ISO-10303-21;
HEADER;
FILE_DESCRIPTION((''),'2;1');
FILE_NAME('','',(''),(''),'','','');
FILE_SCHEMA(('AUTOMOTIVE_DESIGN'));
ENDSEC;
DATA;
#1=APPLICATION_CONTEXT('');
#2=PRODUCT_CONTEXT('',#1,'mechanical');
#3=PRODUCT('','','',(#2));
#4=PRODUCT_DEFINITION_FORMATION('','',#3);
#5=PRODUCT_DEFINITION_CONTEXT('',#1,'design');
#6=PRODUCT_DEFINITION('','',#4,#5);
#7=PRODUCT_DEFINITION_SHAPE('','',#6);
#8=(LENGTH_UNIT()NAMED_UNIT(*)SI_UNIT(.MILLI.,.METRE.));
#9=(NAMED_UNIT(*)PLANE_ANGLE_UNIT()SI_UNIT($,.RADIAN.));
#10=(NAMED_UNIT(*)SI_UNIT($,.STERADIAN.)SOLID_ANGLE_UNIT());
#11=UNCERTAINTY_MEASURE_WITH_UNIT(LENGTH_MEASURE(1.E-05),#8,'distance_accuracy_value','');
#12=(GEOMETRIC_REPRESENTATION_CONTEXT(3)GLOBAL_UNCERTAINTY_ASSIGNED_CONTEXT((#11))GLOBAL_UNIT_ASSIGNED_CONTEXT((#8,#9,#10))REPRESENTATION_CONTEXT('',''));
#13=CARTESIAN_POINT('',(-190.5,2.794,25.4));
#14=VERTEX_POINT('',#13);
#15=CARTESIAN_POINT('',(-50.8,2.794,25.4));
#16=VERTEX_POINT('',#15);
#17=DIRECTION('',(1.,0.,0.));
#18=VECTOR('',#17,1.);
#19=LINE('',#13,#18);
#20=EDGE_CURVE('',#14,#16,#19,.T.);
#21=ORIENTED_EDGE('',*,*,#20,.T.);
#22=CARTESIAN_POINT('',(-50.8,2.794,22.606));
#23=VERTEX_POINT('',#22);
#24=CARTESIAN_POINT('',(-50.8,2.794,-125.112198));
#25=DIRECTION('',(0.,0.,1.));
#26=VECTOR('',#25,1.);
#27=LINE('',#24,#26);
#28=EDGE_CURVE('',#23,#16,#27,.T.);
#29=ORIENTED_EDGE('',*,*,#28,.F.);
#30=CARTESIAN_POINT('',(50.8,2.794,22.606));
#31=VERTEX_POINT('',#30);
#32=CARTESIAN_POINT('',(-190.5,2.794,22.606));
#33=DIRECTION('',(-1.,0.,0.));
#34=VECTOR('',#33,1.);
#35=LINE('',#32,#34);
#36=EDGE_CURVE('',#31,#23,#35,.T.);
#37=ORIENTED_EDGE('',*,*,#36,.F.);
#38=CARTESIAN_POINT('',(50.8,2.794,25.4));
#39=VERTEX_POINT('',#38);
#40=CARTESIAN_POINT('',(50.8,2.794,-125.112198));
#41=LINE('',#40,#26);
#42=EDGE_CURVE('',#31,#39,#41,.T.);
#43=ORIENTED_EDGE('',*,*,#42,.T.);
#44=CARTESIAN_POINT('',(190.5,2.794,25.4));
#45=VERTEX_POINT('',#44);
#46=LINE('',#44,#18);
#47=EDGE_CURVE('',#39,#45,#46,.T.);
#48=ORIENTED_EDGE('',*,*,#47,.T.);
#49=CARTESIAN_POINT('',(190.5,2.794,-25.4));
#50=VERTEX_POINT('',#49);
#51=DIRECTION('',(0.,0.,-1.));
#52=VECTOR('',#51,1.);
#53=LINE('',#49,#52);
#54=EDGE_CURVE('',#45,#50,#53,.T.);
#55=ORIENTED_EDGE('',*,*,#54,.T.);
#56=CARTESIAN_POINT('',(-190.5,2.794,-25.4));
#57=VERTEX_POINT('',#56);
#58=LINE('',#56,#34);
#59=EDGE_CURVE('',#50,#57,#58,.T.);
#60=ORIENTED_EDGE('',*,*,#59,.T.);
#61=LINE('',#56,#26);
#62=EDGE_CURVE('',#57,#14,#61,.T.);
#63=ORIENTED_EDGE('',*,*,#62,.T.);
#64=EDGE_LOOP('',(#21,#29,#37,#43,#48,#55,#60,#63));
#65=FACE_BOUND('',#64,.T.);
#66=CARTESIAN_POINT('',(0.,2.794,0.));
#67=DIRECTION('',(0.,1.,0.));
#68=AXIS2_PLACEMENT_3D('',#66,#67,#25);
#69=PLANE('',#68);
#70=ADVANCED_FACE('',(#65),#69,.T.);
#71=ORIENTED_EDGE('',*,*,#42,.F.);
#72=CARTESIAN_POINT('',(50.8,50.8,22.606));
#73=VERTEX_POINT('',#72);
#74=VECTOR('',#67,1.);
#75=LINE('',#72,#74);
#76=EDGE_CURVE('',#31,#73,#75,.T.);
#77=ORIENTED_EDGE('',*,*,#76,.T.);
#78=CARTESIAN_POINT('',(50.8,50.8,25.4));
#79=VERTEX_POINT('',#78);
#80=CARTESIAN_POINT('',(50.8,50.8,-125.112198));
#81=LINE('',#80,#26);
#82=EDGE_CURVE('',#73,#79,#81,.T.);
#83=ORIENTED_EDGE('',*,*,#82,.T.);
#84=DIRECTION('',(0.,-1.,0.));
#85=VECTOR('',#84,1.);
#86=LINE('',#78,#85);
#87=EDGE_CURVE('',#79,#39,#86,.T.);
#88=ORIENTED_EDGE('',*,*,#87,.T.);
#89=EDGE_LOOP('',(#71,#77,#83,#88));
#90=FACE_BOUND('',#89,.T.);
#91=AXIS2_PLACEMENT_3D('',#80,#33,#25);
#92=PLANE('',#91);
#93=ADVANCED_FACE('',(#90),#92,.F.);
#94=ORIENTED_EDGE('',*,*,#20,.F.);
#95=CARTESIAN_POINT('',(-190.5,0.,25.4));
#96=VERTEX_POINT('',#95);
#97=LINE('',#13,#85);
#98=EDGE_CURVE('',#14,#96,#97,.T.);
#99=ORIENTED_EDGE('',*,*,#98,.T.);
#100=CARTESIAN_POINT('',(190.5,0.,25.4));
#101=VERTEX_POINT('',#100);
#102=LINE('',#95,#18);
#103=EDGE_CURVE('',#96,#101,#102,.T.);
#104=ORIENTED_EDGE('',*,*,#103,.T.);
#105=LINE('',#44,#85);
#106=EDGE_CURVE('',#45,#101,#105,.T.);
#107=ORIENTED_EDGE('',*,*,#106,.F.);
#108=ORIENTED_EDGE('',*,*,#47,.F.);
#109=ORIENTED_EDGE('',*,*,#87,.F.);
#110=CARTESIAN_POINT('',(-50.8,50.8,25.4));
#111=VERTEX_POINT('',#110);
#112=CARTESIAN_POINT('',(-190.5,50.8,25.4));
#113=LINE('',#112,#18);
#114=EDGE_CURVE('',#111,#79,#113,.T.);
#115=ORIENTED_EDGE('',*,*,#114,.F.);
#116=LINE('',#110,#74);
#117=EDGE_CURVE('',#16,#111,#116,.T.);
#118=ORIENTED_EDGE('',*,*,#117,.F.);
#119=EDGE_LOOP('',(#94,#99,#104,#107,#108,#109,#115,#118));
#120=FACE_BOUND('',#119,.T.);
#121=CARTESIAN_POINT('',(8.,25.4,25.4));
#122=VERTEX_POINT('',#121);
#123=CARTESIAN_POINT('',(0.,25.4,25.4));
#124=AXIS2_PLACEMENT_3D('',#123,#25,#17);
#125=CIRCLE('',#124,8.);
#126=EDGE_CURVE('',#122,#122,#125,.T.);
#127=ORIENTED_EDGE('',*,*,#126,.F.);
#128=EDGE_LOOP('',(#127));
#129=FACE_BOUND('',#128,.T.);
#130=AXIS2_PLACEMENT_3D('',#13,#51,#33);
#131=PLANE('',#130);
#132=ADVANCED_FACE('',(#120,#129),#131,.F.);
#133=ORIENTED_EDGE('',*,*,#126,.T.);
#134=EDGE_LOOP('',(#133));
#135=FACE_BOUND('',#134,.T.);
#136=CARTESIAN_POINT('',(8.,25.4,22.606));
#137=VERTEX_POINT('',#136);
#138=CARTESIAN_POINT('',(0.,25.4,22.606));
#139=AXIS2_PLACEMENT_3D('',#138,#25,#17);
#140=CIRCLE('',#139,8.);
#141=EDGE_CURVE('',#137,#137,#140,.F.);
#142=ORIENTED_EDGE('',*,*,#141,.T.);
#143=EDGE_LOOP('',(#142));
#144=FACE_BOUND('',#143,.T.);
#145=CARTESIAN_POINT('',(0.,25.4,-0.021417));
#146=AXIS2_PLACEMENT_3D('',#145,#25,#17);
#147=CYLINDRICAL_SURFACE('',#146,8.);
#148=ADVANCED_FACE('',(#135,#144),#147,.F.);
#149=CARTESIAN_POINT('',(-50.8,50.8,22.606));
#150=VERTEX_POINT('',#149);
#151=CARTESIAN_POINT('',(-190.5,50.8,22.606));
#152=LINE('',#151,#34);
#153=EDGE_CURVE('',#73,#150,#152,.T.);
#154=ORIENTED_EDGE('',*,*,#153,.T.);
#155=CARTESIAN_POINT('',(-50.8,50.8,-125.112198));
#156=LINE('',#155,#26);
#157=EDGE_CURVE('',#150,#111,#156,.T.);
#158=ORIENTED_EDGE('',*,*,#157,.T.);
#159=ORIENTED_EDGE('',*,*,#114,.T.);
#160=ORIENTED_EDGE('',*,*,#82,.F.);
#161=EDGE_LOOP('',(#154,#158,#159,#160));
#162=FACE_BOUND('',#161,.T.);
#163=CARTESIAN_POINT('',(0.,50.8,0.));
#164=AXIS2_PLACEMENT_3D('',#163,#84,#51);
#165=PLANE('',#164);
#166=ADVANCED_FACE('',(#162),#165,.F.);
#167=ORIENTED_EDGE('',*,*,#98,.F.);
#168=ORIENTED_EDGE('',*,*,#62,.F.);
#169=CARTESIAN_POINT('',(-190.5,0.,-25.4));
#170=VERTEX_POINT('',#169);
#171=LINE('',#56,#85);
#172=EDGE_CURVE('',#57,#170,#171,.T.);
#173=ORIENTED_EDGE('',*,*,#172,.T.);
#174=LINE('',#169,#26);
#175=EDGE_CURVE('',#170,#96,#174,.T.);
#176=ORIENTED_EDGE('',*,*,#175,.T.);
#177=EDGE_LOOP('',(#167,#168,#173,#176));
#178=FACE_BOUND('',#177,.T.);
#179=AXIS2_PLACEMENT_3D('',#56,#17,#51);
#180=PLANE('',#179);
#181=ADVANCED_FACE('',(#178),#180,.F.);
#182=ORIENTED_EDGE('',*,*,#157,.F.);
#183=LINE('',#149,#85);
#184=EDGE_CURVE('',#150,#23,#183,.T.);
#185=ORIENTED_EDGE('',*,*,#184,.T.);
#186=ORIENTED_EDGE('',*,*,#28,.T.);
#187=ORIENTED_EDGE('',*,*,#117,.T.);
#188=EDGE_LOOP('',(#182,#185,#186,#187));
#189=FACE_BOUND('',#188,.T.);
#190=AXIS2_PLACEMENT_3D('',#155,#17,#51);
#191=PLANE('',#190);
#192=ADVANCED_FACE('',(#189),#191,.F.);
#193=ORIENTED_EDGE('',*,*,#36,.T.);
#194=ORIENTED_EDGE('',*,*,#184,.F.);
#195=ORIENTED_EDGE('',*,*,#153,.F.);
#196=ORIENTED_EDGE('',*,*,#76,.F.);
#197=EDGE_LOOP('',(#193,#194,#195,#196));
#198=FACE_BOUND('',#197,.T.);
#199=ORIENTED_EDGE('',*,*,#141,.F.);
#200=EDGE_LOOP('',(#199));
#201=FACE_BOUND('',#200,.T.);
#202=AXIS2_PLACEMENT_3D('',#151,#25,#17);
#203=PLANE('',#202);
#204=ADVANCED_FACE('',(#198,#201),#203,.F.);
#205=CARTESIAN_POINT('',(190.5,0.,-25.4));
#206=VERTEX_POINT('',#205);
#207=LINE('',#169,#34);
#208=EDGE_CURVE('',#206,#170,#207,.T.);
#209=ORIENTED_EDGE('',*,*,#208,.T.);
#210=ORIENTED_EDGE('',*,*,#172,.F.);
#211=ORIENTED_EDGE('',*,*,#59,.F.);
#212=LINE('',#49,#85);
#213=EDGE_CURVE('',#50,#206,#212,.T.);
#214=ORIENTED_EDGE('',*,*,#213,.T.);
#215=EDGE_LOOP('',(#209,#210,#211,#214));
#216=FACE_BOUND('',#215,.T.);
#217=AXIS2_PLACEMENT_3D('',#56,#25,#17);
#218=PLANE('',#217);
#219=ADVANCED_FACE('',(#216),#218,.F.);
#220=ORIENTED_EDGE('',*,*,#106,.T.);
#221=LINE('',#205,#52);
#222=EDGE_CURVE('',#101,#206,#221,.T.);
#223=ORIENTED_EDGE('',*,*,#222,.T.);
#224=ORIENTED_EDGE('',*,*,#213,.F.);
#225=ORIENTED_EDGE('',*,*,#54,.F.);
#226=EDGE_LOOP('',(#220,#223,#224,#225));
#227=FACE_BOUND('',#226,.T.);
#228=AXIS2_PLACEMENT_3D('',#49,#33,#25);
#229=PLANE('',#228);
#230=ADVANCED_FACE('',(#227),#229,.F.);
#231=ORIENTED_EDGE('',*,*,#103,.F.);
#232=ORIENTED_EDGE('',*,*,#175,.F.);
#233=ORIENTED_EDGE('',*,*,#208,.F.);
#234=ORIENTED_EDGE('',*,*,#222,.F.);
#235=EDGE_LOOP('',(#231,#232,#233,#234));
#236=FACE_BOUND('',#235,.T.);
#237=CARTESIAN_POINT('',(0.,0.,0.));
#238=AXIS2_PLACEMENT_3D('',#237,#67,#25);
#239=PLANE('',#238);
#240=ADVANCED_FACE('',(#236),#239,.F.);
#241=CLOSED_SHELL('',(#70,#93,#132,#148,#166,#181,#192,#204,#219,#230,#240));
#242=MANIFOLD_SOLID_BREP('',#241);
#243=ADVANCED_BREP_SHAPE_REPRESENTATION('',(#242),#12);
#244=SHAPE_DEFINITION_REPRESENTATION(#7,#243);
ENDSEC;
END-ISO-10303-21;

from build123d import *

# Parameters (mm, degrees)
SKETCH1_W           = 381
SKETCH1_H           = 50.8
BOSS_EXTRUDE1_DEPTH = 2.794
SKETCH2_W           = 381
SKETCH2_H           = 2.794
BOSS_EXTRUDE2_DEPTH = 48.006
SKETCH3_R           = 8
CUT_EXTRUDE1_DEPTH  = 2.794
SKETCH4_W           = 139.7
SKETCH4_H           = 48.006
CUT_EXTRUDE2_DEPTH  = 2.794


with BuildPart() as part:
    # Sketch1 → Boss-Extrude1 (new body)
    with BuildSketch(Plane(origin=(0, 0, 0), x_dir=(1, 0, 0), z_dir=(0, 1, 0))):
        Rectangle(SKETCH1_W, SKETCH1_H)
    extrude(amount=BOSS_EXTRUDE1_DEPTH)

    # Sketch2 → Boss-Extrude2 (add)
    with BuildSketch(Plane(origin=(0, 2.794, 0), x_dir=(1, 0, 0), z_dir=(0, 1, 0))):
        with Locations((0, -24.003)):
            Rectangle(SKETCH2_W, SKETCH2_H)
    extrude(amount=BOSS_EXTRUDE2_DEPTH)

    # Sketch3 → Cut-Extrude1 (cut)
    with BuildSketch(Plane.XY.offset(25.4)):
        with Locations((0, 25.4)):
            Circle(SKETCH3_R)
    extrude(amount=-CUT_EXTRUDE1_DEPTH, mode=Mode.SUBTRACT)

    # Sketch4 → Cut-Extrude2 (cut)
    with BuildSketch(Plane.XY.offset(25.4)):
        with Locations((-120.65, 26.797)):
            Rectangle(SKETCH4_W, SKETCH4_H)
        with Locations((120.65, 26.797)):
            Rectangle(SKETCH4_W, SKETCH4_H)
    extrude(amount=-CUT_EXTRUDE2_DEPTH, mode=Mode.SUBTRACT)


solid = part.part
